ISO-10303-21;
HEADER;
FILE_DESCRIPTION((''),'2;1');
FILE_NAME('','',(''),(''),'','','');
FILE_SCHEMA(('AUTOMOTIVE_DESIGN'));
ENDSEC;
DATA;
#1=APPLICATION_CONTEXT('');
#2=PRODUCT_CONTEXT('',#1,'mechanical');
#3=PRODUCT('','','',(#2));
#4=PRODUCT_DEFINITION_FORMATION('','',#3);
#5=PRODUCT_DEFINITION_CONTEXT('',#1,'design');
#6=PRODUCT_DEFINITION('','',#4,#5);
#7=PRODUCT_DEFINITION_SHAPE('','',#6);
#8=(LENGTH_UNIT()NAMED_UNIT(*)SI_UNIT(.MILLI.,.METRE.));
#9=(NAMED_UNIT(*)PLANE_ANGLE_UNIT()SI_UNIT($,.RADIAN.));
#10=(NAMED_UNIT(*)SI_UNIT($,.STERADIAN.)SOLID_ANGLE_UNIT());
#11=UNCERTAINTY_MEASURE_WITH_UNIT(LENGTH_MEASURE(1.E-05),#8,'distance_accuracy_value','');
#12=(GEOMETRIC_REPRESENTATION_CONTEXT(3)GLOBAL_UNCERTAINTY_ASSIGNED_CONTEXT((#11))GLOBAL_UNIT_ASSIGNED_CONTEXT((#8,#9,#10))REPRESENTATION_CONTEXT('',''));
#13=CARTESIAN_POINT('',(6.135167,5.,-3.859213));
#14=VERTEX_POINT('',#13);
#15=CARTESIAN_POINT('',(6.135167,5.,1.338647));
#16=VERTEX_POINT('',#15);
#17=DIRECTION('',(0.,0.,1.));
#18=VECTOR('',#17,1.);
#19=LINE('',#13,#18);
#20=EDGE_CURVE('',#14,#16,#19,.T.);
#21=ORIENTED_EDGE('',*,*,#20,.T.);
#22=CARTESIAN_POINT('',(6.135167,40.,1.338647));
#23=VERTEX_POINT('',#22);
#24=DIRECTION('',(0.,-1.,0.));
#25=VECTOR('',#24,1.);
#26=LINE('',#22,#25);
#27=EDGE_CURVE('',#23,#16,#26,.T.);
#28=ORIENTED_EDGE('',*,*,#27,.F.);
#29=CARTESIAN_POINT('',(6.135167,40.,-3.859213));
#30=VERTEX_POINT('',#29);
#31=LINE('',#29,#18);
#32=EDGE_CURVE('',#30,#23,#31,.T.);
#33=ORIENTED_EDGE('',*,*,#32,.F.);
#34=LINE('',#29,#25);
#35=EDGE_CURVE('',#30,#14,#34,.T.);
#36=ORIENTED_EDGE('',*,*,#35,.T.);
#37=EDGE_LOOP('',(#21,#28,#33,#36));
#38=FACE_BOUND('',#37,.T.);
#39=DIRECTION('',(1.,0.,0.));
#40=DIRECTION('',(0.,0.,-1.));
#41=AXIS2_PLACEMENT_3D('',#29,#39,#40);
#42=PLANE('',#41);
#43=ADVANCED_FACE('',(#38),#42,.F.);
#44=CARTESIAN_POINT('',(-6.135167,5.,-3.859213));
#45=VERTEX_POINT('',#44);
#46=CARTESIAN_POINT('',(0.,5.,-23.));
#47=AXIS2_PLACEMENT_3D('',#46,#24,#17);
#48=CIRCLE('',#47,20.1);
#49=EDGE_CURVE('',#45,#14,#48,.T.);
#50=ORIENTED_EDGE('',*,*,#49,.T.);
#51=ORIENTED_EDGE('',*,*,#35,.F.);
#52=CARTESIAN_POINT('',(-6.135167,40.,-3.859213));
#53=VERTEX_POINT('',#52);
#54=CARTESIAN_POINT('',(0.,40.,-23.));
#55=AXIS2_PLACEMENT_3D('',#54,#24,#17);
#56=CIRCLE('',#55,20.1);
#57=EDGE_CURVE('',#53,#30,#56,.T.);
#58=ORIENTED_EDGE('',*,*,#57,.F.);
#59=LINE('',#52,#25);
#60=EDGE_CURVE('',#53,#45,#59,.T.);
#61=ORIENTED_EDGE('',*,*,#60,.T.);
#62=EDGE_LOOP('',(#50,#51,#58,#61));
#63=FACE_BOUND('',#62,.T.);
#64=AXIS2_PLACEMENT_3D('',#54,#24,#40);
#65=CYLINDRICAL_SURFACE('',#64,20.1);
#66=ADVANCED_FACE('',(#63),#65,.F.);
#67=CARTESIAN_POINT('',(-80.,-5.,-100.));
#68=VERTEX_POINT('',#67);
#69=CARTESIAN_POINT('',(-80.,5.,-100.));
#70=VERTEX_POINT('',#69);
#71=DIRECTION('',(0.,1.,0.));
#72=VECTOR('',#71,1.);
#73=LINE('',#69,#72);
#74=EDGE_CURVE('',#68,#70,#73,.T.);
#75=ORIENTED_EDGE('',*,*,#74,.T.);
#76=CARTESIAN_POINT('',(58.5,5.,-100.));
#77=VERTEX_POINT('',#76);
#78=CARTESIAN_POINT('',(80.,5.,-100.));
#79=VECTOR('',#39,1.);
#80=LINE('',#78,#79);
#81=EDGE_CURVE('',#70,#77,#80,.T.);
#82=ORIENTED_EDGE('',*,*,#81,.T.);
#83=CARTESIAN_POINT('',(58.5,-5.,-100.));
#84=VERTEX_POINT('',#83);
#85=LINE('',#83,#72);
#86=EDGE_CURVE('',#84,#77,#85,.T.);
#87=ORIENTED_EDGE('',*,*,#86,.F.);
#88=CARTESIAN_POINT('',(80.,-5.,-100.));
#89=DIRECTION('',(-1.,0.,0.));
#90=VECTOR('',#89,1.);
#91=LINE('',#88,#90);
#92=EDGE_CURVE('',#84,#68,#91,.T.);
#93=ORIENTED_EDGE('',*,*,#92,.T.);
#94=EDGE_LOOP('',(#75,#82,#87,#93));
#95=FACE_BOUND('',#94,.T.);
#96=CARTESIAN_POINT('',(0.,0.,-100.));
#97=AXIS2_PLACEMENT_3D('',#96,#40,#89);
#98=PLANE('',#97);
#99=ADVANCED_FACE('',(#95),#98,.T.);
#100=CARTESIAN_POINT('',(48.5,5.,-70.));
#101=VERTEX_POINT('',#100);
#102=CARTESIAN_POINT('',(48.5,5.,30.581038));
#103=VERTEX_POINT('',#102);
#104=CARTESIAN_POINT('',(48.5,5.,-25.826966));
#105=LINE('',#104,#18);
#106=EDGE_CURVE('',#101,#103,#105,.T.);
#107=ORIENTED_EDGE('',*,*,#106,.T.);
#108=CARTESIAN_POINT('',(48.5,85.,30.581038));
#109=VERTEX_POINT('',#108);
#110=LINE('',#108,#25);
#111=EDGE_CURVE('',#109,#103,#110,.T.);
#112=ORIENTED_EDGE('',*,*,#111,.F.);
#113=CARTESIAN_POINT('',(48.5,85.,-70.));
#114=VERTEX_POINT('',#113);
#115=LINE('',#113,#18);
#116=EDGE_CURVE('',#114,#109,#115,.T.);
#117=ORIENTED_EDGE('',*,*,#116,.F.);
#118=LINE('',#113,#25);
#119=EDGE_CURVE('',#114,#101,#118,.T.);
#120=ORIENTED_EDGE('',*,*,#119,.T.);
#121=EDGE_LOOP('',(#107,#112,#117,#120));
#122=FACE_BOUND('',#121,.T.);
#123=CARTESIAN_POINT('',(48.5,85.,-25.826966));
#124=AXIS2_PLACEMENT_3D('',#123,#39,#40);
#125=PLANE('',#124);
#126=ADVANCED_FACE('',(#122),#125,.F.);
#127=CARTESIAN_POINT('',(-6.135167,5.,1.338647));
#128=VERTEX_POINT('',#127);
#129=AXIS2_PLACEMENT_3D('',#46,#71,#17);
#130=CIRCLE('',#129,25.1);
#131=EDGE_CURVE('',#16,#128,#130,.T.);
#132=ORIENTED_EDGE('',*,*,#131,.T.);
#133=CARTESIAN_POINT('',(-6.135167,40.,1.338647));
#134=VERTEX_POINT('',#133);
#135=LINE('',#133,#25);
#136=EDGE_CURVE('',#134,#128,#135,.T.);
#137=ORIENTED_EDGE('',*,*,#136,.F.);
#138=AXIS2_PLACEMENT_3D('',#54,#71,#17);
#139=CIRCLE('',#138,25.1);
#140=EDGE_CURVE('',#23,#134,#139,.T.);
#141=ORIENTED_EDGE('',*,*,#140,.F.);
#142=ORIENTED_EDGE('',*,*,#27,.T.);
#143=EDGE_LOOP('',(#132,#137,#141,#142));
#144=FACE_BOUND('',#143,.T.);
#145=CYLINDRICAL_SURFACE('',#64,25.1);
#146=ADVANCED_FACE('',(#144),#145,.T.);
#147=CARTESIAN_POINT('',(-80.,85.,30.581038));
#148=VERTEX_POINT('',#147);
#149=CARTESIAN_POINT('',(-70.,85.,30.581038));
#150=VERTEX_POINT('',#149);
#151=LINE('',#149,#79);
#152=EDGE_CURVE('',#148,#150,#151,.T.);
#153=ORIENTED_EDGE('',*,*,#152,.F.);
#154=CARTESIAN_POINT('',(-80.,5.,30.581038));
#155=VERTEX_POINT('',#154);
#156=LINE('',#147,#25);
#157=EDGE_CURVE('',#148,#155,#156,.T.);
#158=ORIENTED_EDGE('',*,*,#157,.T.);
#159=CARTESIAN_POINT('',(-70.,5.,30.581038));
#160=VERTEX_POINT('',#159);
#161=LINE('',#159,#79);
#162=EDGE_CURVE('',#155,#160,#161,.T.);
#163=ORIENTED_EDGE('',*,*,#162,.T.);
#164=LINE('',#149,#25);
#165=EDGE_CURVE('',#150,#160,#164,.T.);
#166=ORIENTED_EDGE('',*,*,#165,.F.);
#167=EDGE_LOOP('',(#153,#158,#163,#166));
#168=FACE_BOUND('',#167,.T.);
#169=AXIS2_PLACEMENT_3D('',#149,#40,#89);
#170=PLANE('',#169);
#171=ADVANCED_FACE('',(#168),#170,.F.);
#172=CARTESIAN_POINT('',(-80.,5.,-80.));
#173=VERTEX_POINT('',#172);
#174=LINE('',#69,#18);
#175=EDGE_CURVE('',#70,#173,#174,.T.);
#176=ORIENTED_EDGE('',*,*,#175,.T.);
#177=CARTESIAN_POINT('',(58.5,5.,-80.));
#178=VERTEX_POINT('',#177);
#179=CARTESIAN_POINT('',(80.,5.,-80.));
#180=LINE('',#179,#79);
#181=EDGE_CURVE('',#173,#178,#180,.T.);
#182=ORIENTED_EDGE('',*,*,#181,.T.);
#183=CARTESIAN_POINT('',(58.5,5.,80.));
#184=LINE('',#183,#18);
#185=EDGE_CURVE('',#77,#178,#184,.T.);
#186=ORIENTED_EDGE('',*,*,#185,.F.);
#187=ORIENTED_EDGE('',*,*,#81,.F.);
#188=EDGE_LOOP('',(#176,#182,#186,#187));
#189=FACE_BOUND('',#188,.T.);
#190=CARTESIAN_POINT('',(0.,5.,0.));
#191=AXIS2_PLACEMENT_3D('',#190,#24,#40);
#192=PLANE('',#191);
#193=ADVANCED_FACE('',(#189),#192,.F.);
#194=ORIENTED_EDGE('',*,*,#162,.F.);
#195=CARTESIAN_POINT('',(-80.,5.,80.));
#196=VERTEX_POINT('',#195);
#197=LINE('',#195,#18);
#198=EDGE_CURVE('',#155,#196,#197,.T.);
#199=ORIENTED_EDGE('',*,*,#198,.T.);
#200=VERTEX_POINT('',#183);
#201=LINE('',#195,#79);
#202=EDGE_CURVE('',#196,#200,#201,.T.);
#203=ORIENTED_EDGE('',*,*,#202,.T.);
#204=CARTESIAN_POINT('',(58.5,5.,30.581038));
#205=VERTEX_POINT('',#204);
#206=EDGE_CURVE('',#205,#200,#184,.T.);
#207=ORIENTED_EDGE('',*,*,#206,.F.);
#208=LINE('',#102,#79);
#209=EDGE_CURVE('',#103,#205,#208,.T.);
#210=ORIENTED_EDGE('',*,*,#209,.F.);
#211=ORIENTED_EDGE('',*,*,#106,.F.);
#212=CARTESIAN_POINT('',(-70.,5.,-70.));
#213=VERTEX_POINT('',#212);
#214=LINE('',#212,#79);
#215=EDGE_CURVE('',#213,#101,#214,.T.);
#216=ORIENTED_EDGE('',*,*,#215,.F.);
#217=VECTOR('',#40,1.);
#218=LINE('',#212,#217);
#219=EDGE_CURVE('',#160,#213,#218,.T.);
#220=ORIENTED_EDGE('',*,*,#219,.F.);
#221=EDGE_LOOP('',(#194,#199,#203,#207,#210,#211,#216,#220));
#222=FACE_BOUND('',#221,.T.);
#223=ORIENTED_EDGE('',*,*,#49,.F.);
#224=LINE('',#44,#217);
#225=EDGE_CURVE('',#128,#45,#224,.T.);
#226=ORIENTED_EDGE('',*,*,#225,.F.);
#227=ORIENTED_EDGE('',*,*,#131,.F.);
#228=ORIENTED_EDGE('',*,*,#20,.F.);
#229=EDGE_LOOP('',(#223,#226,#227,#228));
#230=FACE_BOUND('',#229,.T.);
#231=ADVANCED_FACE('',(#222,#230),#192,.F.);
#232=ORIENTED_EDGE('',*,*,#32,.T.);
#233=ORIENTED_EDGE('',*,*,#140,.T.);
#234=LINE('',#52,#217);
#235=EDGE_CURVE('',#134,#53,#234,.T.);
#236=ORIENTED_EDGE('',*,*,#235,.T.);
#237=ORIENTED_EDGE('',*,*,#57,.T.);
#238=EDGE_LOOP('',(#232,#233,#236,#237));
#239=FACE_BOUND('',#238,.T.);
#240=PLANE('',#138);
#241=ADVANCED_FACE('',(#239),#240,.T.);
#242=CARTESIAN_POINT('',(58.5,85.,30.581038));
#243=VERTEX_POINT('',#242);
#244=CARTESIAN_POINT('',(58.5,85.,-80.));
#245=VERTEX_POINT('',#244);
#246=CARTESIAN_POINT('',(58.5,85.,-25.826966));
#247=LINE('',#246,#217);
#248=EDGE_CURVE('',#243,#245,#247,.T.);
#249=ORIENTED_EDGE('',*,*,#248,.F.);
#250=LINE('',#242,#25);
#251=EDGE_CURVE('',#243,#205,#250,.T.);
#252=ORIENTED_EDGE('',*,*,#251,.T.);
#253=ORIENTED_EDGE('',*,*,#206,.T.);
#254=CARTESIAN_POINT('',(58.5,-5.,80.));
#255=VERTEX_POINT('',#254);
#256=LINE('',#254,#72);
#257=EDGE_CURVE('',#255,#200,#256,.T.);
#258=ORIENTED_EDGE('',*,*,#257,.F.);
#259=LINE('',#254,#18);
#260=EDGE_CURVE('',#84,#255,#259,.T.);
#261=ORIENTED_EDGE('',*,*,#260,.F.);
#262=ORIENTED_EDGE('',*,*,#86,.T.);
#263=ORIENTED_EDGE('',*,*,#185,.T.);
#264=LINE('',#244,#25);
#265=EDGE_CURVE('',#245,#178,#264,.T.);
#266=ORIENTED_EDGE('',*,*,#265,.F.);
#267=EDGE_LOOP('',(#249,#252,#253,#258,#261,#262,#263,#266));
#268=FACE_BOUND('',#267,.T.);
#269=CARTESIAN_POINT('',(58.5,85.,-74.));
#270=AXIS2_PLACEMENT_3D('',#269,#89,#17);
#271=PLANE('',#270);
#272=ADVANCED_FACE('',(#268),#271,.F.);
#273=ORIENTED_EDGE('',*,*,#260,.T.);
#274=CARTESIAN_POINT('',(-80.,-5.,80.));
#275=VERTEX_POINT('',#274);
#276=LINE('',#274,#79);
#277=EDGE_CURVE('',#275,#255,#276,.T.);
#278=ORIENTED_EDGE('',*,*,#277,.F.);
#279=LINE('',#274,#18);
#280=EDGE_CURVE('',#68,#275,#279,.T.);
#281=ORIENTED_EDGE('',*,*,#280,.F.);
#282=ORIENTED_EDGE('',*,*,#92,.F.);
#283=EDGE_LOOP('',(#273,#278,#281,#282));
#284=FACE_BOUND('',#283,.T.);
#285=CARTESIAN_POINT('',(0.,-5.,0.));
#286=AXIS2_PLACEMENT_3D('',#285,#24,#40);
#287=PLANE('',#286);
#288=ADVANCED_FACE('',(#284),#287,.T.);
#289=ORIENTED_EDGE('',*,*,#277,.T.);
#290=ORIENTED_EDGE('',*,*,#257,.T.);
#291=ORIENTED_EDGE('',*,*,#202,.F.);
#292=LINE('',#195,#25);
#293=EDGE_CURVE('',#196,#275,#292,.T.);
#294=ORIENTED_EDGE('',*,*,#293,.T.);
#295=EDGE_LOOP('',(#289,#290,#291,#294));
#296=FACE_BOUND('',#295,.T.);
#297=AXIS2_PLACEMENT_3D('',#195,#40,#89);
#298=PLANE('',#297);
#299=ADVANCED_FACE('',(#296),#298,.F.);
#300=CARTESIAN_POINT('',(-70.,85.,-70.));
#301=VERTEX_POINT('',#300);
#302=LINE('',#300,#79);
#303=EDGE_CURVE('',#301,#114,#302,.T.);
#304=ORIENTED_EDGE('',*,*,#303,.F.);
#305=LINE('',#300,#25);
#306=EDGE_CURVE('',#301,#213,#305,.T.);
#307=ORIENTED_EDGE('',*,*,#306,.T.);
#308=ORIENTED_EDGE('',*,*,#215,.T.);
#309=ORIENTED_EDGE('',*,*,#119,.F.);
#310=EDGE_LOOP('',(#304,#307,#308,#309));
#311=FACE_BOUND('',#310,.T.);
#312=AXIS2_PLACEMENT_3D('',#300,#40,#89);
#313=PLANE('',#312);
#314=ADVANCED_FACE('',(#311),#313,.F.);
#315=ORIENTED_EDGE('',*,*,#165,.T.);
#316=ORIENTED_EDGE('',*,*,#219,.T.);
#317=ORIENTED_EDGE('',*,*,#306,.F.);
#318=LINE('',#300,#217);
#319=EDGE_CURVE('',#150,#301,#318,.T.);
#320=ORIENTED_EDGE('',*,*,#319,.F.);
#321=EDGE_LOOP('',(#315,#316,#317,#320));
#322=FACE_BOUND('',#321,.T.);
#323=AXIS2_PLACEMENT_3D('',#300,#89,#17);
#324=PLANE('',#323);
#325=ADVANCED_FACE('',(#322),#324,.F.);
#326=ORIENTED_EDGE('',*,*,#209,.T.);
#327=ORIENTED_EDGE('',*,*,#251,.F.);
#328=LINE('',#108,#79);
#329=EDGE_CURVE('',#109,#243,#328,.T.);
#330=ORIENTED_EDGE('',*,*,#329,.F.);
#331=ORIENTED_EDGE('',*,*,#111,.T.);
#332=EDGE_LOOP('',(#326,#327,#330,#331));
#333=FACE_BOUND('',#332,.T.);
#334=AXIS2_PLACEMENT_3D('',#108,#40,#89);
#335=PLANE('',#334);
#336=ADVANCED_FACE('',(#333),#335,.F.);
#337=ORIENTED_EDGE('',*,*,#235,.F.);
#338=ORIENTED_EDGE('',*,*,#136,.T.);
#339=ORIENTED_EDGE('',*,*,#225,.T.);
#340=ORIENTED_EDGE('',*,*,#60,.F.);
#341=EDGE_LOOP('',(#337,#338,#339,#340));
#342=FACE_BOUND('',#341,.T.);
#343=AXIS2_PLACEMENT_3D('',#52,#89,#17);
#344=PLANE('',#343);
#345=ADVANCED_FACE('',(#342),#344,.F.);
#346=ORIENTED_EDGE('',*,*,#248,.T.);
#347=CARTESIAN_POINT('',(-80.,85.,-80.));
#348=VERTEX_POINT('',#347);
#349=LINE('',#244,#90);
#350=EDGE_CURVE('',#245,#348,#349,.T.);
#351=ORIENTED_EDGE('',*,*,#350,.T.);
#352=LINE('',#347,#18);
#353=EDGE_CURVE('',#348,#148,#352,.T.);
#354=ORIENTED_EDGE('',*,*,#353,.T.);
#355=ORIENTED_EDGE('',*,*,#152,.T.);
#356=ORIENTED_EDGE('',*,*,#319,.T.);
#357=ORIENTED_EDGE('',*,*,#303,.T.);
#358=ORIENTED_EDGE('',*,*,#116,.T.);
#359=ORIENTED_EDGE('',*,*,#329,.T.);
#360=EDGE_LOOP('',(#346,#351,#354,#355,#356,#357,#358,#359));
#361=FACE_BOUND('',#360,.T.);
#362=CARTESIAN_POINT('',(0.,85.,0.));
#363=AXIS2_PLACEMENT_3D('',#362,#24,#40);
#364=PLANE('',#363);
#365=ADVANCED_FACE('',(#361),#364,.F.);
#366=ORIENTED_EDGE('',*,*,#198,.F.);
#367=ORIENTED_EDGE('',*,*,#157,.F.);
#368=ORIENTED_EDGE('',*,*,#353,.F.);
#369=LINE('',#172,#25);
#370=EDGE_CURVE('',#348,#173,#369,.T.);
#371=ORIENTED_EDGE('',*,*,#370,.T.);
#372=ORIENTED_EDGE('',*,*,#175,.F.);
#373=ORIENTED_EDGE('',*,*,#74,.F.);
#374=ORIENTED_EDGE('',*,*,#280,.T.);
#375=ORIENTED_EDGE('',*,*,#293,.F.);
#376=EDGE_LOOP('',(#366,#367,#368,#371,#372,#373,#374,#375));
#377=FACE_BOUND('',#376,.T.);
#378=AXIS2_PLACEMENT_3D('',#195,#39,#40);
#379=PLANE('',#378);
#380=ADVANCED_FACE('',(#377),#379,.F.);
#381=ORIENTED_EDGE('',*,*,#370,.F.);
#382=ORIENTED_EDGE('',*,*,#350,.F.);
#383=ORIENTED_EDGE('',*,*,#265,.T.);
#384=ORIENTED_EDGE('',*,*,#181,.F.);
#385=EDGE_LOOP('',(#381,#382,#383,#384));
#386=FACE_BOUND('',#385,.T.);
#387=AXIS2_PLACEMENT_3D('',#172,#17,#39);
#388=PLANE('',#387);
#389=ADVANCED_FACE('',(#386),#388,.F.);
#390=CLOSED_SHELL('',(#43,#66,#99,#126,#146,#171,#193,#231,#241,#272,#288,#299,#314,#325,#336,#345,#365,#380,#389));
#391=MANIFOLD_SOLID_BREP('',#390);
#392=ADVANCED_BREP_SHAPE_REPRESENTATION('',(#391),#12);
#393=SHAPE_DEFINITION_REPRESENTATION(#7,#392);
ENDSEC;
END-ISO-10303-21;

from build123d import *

# Parameters (mm, degrees)
SKETCH1_W            = 160
SKETCH1_H            = 160
BOSS_EXTRUDE1_DEPTH  = 5
BOSS_EXTRUDE8_DEPTH  = 35
BOSS_EXTRUDE11_DEPTH = 80
SKETCH23_W           = 160
SKETCH23_H           = 10
BOSS_EXTRUDE12_DEPTH = 20
SKETCH25_W           = 21.5
SKETCH25_H           = 180
CUT_EXTRUDE4_DEPTH   = 10


with BuildPart() as part:
    # Sketch1 → Boss-Extrude1 (new, symmetric)
    with BuildSketch(Plane(origin=(0, 0, 0), x_dir=(1, 0, 0), z_dir=(0, 1, 0))):
        Rectangle(SKETCH1_W, SKETCH1_H)
    extrude(amount=BOSS_EXTRUDE1_DEPTH, both=True)

    # Sketch17 → Boss-Extrude8 (add)
    with BuildSketch(Plane(origin=(0, 5, 0), x_dir=(1, 0, 0), z_dir=(0, 1, 0))):
        with BuildLine():
            Line((-6.135166846, 3.859212979), (-6.135166846, -1.338646794))
            ThreePointArc((-6.135166846, -1.338646794), (0, 48.1), (6.135166846, -1.338646794))
            Line((6.135166846, -1.338646794), (6.135166846, 3.859212979))
            ThreePointArc((6.135166846, 3.859212979), (0, 43.1), (-6.135166846, 3.859212979))
        make_face()
    extrude(amount=BOSS_EXTRUDE8_DEPTH)

    # Sketch19 → Boss-Extrude11 (add)
    with BuildSketch(Plane(origin=(0, 5, 0), x_dir=(1, 0, 0), z_dir=(0, 1, 0))):
        Polygon((-80, 80), (-80, -30.581038256), (-70, -30.581038256), (-70, 70), (48.5, 70), (48.5, 25.826966248), (48.5, -30.581038256), (58.5, -30.581038256), (58.5, 25.826966248), (58.5, 74), (58.5, 80), (-70, 80), align=None)
    extrude(amount=BOSS_EXTRUDE11_DEPTH)

    # Sketch23 → Boss-Extrude12 (add)
    with BuildSketch(Plane(origin=(0, 0, -80), x_dir=(-1, 0, 0), z_dir=(0, 0, -1))):
        Rectangle(SKETCH23_W, SKETCH23_H)
    extrude(amount=BOSS_EXTRUDE12_DEPTH)

    # Sketch25 → Cut-Extrude4 (cut)
    with BuildSketch(Plane(origin=(0, 5, 0), x_dir=(1, 0, 0), z_dir=(0, 1, 0))):
        with Locations((69.25, 10)):
            Rectangle(SKETCH25_W, SKETCH25_H)
    extrude(amount=-CUT_EXTRUDE4_DEPTH, mode=Mode.SUBTRACT)


solid = part.part
